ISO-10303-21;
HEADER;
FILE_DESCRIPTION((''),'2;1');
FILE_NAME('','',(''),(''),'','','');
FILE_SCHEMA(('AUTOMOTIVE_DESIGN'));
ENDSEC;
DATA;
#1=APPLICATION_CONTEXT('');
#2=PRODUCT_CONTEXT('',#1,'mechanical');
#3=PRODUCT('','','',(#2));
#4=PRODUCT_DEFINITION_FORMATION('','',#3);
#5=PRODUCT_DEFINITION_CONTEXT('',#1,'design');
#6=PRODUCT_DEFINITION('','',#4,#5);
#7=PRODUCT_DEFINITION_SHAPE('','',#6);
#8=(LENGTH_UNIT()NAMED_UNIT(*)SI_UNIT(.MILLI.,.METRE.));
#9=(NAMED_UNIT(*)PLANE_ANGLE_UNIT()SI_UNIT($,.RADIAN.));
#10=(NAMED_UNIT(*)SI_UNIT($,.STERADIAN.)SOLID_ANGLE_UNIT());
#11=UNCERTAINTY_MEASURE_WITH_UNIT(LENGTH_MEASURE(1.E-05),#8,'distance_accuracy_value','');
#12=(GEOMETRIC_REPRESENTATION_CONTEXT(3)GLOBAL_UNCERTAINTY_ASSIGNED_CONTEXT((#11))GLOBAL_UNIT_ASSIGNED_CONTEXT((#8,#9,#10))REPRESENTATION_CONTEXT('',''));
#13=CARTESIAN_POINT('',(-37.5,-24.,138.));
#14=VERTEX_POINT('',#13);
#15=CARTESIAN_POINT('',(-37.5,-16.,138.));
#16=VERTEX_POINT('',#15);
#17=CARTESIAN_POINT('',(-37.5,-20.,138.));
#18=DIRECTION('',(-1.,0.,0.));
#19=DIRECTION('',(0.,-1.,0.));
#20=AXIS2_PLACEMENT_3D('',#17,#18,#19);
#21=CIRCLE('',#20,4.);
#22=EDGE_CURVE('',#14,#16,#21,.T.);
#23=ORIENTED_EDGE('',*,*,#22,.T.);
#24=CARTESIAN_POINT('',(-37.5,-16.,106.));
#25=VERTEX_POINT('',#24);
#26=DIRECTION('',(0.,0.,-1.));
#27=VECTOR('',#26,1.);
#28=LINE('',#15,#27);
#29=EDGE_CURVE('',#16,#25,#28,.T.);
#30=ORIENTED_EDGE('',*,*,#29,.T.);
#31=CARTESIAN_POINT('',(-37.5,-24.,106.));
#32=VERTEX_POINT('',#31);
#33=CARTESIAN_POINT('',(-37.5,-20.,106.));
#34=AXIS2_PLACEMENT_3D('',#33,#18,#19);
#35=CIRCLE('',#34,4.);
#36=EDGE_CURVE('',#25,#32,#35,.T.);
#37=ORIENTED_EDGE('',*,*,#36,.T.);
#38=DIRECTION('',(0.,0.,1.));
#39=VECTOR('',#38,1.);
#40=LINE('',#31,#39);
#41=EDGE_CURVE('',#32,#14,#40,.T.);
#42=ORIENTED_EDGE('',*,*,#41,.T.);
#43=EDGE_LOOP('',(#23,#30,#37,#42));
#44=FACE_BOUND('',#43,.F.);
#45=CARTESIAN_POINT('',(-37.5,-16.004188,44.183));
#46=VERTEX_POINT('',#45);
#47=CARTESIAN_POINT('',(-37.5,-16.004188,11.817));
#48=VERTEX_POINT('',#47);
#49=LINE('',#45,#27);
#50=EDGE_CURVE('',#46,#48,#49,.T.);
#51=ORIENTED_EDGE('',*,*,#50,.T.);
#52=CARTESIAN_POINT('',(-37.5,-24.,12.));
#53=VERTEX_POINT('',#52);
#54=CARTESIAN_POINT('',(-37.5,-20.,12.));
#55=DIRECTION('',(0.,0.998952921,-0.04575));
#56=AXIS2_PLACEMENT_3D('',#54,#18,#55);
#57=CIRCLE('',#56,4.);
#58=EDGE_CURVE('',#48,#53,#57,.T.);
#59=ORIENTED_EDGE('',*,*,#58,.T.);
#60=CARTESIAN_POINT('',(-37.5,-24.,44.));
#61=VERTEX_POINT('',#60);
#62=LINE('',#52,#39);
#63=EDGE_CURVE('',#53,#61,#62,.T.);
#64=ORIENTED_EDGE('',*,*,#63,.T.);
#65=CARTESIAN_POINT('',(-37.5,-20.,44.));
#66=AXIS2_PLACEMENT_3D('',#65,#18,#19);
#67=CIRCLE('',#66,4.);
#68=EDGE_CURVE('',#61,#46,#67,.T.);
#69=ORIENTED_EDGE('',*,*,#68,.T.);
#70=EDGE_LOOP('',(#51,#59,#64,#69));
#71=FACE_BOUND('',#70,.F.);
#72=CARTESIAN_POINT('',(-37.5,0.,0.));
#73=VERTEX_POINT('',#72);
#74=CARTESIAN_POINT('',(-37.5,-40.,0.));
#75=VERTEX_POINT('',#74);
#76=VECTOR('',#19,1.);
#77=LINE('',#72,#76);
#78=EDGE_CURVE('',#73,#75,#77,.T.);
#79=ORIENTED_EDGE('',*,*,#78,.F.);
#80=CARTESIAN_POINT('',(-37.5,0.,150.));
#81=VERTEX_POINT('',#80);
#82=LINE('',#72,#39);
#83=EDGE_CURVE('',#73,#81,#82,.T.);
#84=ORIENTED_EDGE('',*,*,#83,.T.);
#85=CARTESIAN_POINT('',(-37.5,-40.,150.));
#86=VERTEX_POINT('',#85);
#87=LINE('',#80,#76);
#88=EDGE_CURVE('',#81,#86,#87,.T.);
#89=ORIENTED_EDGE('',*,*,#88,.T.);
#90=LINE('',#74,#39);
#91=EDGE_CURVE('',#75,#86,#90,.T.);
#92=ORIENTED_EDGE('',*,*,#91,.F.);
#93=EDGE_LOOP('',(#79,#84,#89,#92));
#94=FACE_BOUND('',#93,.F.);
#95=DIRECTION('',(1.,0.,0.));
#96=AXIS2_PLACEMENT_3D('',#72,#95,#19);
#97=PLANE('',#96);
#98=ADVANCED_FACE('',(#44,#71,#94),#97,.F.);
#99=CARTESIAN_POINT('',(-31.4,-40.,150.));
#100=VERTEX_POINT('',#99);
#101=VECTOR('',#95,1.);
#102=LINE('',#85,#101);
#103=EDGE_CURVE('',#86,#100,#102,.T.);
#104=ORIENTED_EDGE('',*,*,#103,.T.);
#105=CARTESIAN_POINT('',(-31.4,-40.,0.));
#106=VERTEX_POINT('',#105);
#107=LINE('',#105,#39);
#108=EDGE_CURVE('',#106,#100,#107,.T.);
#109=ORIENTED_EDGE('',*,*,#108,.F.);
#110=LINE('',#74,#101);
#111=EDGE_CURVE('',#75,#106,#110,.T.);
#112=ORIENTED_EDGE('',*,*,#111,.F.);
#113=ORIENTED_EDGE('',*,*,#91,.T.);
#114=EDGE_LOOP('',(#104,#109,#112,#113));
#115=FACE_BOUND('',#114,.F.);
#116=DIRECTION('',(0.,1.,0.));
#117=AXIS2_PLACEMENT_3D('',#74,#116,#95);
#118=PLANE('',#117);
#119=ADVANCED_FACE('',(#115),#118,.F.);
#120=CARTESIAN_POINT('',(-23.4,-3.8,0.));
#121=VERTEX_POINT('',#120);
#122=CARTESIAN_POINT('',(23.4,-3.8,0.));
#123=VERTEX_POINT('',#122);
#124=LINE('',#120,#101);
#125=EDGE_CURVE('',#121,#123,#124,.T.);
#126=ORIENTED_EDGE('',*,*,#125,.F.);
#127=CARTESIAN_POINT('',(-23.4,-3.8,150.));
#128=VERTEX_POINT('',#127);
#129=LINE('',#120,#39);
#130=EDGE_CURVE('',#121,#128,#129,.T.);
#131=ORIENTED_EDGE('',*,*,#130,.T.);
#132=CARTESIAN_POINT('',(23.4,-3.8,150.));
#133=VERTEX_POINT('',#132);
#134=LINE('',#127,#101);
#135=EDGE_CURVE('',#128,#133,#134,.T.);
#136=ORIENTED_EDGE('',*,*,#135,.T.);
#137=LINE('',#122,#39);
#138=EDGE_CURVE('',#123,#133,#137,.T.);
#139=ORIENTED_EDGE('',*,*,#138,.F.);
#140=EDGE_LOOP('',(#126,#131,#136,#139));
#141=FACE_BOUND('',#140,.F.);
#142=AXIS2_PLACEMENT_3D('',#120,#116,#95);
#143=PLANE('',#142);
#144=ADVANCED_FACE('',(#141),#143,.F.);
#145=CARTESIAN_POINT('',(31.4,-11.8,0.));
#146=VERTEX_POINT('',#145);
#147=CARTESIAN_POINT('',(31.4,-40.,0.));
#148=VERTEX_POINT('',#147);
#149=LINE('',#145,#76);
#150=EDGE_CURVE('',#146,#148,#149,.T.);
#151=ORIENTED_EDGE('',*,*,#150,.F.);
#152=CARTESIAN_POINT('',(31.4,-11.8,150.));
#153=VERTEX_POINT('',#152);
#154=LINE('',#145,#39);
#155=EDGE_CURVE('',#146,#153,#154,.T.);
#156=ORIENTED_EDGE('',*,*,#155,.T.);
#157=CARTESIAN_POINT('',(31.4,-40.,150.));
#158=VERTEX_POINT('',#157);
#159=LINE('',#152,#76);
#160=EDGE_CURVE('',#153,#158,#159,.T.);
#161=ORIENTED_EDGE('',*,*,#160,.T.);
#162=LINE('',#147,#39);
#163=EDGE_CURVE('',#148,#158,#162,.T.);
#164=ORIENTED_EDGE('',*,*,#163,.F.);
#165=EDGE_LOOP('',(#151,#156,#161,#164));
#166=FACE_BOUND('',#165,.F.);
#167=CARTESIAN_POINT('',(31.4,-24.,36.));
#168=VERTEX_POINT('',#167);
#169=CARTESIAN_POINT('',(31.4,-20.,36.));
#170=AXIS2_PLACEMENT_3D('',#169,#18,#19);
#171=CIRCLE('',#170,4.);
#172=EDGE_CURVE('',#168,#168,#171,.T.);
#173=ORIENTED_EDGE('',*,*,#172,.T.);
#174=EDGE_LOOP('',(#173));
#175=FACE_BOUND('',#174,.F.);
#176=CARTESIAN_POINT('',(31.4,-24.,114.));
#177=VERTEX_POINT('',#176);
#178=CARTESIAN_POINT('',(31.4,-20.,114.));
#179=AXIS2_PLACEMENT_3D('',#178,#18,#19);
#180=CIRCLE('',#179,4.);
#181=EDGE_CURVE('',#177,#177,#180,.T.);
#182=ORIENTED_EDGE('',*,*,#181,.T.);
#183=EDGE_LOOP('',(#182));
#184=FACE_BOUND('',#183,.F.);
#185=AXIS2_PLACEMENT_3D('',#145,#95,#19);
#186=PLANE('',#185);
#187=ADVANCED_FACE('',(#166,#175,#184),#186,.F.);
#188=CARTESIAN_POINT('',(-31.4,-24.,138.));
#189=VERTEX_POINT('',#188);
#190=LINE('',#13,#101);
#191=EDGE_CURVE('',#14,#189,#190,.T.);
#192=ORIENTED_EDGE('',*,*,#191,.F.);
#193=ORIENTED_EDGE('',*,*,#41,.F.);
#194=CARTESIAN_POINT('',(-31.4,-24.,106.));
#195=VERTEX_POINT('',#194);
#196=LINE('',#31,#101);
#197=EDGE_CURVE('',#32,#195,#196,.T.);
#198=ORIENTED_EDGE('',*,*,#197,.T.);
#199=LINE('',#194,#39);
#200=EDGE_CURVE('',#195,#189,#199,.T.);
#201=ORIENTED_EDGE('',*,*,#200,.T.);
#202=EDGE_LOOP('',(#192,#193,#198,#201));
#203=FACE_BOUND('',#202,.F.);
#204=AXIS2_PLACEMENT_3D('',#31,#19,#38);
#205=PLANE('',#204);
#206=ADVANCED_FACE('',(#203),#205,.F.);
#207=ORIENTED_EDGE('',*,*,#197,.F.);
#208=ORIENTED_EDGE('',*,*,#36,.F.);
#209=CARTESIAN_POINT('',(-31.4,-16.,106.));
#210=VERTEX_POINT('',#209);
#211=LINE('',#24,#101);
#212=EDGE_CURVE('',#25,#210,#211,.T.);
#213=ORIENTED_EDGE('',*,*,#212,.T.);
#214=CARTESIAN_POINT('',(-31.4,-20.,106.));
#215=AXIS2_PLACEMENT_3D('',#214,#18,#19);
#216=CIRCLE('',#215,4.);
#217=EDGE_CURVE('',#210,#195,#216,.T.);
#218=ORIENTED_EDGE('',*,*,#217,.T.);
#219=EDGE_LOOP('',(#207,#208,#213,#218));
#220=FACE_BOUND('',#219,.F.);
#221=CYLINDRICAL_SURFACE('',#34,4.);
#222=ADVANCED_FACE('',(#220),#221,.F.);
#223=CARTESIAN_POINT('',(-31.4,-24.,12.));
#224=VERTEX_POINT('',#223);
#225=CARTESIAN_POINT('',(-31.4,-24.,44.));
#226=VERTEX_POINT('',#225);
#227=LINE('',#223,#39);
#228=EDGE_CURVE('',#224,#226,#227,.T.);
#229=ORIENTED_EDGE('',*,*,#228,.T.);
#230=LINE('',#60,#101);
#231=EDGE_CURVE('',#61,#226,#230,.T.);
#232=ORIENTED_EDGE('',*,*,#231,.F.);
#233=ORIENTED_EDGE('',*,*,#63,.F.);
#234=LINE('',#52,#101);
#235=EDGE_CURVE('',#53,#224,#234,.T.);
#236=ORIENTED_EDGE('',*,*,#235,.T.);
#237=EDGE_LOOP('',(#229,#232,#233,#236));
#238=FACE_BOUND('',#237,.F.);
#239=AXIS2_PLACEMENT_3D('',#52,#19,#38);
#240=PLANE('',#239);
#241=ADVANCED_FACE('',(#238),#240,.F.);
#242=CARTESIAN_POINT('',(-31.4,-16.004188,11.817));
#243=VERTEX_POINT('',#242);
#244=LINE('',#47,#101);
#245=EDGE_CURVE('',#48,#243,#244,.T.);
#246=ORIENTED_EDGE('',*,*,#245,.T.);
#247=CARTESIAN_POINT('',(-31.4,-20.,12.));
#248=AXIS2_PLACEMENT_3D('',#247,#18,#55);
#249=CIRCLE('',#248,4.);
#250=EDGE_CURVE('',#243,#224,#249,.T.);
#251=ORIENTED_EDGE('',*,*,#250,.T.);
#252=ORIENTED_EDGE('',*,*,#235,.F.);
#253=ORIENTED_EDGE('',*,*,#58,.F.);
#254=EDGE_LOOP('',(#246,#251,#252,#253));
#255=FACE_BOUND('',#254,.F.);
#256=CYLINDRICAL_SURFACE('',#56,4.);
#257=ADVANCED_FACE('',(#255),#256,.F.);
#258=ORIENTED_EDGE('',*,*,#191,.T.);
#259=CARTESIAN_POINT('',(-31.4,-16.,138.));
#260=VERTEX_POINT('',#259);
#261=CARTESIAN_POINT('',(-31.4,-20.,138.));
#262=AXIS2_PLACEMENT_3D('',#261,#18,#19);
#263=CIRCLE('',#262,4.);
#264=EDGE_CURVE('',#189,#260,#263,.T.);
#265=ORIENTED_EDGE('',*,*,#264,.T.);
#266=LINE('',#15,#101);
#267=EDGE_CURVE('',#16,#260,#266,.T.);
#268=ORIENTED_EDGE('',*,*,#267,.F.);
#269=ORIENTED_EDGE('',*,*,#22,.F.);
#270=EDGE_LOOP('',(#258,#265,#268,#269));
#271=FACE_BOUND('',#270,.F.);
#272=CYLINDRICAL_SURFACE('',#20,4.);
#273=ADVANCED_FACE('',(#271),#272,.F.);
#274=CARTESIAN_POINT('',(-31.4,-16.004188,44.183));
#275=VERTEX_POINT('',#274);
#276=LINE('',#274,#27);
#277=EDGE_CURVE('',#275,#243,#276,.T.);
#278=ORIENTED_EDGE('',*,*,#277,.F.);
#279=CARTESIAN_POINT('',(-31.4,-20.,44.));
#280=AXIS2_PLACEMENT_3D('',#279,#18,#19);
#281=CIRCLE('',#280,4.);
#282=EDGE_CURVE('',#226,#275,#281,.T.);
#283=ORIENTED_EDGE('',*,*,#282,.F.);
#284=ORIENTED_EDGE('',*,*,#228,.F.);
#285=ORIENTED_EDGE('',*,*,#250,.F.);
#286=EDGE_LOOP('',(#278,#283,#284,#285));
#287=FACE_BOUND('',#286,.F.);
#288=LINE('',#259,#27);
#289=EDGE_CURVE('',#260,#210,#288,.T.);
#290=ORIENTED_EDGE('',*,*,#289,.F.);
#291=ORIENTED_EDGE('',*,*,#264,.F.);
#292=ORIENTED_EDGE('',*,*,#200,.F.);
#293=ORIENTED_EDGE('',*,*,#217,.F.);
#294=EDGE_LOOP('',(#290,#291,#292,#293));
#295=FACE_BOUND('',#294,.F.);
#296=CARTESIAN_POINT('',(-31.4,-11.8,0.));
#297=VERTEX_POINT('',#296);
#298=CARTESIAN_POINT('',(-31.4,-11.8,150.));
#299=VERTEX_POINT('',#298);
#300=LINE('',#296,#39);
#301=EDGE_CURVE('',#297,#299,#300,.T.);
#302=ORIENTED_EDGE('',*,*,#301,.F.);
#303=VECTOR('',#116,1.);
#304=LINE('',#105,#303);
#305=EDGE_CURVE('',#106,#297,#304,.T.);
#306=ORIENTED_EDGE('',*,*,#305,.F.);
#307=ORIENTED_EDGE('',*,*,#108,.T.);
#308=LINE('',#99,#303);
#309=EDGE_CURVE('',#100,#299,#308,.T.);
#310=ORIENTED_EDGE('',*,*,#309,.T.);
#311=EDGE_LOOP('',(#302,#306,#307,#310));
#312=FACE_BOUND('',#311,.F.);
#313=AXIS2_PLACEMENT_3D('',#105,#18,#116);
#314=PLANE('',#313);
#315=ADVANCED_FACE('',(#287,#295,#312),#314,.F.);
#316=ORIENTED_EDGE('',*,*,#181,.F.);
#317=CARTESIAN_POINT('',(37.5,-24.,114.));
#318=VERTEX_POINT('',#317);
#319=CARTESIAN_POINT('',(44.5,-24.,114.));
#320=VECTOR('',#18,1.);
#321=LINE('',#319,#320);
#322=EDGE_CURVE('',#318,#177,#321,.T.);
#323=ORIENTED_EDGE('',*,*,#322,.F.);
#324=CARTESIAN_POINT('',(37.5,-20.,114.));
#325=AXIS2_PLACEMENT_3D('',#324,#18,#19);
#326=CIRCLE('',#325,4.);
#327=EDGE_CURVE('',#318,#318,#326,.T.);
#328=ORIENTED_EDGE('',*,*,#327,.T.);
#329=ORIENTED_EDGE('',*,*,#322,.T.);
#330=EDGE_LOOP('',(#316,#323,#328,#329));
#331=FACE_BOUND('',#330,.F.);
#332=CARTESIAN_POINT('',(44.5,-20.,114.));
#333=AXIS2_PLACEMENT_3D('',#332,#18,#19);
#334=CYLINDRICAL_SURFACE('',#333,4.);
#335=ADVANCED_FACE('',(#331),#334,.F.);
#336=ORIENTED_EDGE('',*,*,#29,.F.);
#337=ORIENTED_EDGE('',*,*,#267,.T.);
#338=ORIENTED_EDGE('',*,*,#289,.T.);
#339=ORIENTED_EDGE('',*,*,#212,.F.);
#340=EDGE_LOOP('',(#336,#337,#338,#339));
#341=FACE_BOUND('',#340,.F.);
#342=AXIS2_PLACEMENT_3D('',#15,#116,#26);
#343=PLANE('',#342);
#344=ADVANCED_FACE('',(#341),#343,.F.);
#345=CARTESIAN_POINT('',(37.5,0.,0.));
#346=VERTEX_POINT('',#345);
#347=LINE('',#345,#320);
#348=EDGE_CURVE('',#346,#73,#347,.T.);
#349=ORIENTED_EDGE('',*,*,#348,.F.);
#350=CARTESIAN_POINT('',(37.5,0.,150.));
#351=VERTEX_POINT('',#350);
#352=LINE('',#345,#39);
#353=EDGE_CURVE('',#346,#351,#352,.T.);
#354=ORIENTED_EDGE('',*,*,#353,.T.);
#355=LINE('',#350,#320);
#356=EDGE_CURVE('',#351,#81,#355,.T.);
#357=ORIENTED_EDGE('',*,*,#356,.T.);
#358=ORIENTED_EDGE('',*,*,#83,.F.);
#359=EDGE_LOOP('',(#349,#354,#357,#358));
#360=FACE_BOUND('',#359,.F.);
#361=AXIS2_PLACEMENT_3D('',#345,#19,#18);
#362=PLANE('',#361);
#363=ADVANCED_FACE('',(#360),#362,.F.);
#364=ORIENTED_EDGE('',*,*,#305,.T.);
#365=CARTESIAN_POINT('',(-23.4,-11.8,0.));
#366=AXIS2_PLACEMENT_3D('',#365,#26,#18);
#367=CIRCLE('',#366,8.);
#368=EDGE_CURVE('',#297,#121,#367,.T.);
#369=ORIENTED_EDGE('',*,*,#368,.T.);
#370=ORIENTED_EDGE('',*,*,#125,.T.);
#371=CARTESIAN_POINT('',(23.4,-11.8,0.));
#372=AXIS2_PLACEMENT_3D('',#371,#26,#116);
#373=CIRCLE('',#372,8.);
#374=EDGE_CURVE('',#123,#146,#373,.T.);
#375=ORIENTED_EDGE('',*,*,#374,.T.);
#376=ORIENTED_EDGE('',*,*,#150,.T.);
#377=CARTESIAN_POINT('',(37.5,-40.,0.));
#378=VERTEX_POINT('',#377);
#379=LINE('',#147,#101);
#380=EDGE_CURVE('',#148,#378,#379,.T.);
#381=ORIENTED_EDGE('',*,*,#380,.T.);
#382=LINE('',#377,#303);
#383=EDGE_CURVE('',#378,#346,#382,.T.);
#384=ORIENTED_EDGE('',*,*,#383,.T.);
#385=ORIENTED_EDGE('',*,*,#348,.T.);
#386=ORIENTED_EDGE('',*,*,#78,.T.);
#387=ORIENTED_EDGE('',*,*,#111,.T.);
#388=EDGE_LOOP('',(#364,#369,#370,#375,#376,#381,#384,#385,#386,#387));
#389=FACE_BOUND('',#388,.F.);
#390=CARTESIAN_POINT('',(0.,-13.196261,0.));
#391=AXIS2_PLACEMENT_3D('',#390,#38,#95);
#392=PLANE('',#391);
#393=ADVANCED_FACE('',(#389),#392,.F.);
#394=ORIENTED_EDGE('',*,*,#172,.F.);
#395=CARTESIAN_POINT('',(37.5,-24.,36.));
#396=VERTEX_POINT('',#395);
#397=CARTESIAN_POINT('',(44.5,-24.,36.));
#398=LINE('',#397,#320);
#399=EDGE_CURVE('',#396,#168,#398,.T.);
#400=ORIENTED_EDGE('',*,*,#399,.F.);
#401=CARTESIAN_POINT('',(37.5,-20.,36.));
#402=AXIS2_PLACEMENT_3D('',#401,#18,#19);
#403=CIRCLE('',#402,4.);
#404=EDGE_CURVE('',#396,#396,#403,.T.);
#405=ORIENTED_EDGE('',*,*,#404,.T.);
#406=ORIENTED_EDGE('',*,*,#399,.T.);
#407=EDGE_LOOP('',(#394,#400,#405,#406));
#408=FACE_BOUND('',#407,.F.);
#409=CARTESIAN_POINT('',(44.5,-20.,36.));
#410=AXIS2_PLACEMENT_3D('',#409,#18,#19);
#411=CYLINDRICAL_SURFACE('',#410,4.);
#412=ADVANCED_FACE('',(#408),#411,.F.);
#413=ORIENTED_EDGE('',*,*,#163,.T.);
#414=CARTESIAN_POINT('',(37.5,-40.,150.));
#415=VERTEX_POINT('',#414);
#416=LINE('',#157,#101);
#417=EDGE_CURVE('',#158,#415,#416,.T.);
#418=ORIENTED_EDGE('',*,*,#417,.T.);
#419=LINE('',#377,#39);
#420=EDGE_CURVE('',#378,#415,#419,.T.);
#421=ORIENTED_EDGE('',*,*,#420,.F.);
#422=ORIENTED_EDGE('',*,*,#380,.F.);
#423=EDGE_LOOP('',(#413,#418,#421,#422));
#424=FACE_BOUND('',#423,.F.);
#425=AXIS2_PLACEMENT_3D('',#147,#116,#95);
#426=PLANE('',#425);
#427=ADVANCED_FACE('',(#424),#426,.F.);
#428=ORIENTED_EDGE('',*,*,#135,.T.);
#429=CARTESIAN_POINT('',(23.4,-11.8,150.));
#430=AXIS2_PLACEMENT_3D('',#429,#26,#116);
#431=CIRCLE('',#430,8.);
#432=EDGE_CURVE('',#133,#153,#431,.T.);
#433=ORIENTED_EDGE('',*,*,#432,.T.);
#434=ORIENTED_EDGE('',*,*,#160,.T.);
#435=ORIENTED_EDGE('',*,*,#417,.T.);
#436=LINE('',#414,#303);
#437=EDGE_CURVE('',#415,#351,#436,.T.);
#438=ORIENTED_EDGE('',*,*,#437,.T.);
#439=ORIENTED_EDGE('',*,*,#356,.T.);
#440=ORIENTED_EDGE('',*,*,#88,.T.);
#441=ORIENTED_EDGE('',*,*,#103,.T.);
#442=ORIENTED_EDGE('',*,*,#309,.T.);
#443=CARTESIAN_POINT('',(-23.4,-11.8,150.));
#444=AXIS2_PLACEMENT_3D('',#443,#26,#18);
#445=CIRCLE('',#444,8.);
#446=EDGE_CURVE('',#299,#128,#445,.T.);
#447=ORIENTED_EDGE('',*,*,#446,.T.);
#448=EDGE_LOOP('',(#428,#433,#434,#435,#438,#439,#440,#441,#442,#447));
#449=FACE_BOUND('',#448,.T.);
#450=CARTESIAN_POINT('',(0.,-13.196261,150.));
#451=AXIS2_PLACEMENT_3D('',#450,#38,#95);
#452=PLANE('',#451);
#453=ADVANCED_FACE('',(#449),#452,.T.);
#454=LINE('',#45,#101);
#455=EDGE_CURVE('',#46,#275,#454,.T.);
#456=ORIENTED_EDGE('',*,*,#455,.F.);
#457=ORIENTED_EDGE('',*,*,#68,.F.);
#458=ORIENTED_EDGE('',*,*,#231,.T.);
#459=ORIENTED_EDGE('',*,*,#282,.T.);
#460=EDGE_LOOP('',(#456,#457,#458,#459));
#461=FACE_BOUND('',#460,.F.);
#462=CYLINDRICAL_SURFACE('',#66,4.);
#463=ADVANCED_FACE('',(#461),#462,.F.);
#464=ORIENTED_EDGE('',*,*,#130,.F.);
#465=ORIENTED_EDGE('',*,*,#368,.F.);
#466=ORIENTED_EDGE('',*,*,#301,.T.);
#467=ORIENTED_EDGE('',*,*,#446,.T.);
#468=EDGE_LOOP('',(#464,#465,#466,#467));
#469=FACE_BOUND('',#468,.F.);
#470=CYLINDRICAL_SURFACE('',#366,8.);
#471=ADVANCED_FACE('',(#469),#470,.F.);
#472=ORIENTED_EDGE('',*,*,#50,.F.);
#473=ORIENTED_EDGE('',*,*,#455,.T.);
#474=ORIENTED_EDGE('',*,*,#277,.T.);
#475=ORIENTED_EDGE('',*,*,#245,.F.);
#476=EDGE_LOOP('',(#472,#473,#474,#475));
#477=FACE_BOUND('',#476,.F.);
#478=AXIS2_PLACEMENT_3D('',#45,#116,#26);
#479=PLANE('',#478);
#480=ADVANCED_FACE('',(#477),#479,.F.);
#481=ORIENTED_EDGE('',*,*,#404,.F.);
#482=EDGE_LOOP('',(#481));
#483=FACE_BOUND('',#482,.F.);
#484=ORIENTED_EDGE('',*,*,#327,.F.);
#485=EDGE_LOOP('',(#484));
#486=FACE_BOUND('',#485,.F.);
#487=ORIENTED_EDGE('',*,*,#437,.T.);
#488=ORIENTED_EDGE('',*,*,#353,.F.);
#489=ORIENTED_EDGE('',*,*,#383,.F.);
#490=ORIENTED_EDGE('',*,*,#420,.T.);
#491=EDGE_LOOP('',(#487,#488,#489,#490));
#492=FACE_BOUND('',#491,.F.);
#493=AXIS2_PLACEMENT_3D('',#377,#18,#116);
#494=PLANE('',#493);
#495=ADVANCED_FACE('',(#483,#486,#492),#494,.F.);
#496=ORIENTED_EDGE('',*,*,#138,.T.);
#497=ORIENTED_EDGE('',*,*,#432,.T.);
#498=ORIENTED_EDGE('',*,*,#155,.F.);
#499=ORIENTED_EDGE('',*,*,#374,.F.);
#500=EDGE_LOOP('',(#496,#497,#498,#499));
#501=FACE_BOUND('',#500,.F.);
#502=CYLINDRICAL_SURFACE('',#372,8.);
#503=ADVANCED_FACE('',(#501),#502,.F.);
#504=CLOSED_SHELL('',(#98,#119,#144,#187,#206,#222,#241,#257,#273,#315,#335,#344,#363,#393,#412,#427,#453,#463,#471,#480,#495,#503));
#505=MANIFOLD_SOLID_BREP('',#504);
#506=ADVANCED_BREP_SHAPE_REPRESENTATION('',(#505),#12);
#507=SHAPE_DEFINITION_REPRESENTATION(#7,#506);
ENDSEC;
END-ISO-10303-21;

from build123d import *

# Parameters (mm, degrees)
F1_DEPTH = 150
F3_D     = 8
F3_DEPTH = 7
F3_TIP   = 2.4034424761
F5_DEPTH = 6.1


with BuildPart() as f1:
    # F0 (on Top) → F1 (new body)
    with BuildSketch(Plane.XY):
        with BuildLine():
            Line((37.5, 0), (-37.5, 0))
            Line((-37.5, 0), (-37.5, -40))
            Line((-37.5, -40), (-31.4, -40))
            Line((-31.4, -40), (-31.4, -11.8))
            ThreePointArc((-31.4, -11.8), (-29.0568542495, -6.1431457505), (-23.4, -3.8))
            Line((-23.4, -3.8), (23.4, -3.8))
            ThreePointArc((23.4, -3.8), (29.0568542495, -6.1431457505), (31.4, -11.8))
            Line((31.4, -11.8), (31.4, -40))
            Line((31.4, -40), (37.5, -40))
            Line((37.5, -40), (37.5, 0))
        make_face()
    extrude(amount=F1_DEPTH)

    # F3
    with Locations(Plane.YZ.offset(37.5)):
        with Locations((-20, 114), (-20, 36)):
            Hole(F3_D / 2, depth=F3_DEPTH)
            with Locations((0, 0, -(F3_DEPTH + F3_TIP / 2))):  # 118° drill point
                Cone(0, F3_D / 2, F3_TIP, mode=Mode.SUBTRACT)

    # F4 (on face) → F5 (cut, through all)
    with BuildSketch(Plane(origin=(-37.5, 0, 0), x_dir=(0, -1, 0), z_dir=(-1, 0, 0))):
        with BuildLine():
            Line((24, 106), (24, 138))
            ThreePointArc((24, 138), (20, 142), (16, 138))
            Line((16, 138), (16, 106))
            ThreePointArc((16, 106), (20, 110), (24, 106))
        make_face()
        with BuildLine():
            ThreePointArc((16, 106), (20, 102), (24, 106))
            ThreePointArc((24, 106), (20, 110), (16, 106))
        make_face()
        with BuildLine():
            ThreePointArc((16.0041883178, 43.817), (20.0915239614, 40.0010472165), (24, 44))
            ThreePointArc((24, 44), (20.0915239614, 47.9989527835), (16.0041883178, 44.183))
            Line((16.0041883178, 44.183), (16.0041883178, 43.817))
        make_face()
        with BuildLine():
            Line((16.0041883178, 12.183), (16.0041883178, 11.817))
            ThreePointArc((16.0041883178, 11.817), (20.0915239614, 8.0010472165), (24, 12))
            ThreePointArc((24, 12), (20.0915239614, 15.9989527835), (16.0041883178, 12.183))
        make_face()
        with BuildLine():
            ThreePointArc((16.0041883178, 12.183), (20.0915239614, 15.9989527835), (24, 12))
            Line((24, 12), (24, 44))
            ThreePointArc((24, 44), (20.0915239614, 40.0010472165), (16.0041883178, 43.817))
            Line((16.0041883178, 43.817), (16.0041883178, 12.183))
        make_face()
    extrude(amount=-F5_DEPTH, mode=Mode.SUBTRACT)


solid = f1.part
